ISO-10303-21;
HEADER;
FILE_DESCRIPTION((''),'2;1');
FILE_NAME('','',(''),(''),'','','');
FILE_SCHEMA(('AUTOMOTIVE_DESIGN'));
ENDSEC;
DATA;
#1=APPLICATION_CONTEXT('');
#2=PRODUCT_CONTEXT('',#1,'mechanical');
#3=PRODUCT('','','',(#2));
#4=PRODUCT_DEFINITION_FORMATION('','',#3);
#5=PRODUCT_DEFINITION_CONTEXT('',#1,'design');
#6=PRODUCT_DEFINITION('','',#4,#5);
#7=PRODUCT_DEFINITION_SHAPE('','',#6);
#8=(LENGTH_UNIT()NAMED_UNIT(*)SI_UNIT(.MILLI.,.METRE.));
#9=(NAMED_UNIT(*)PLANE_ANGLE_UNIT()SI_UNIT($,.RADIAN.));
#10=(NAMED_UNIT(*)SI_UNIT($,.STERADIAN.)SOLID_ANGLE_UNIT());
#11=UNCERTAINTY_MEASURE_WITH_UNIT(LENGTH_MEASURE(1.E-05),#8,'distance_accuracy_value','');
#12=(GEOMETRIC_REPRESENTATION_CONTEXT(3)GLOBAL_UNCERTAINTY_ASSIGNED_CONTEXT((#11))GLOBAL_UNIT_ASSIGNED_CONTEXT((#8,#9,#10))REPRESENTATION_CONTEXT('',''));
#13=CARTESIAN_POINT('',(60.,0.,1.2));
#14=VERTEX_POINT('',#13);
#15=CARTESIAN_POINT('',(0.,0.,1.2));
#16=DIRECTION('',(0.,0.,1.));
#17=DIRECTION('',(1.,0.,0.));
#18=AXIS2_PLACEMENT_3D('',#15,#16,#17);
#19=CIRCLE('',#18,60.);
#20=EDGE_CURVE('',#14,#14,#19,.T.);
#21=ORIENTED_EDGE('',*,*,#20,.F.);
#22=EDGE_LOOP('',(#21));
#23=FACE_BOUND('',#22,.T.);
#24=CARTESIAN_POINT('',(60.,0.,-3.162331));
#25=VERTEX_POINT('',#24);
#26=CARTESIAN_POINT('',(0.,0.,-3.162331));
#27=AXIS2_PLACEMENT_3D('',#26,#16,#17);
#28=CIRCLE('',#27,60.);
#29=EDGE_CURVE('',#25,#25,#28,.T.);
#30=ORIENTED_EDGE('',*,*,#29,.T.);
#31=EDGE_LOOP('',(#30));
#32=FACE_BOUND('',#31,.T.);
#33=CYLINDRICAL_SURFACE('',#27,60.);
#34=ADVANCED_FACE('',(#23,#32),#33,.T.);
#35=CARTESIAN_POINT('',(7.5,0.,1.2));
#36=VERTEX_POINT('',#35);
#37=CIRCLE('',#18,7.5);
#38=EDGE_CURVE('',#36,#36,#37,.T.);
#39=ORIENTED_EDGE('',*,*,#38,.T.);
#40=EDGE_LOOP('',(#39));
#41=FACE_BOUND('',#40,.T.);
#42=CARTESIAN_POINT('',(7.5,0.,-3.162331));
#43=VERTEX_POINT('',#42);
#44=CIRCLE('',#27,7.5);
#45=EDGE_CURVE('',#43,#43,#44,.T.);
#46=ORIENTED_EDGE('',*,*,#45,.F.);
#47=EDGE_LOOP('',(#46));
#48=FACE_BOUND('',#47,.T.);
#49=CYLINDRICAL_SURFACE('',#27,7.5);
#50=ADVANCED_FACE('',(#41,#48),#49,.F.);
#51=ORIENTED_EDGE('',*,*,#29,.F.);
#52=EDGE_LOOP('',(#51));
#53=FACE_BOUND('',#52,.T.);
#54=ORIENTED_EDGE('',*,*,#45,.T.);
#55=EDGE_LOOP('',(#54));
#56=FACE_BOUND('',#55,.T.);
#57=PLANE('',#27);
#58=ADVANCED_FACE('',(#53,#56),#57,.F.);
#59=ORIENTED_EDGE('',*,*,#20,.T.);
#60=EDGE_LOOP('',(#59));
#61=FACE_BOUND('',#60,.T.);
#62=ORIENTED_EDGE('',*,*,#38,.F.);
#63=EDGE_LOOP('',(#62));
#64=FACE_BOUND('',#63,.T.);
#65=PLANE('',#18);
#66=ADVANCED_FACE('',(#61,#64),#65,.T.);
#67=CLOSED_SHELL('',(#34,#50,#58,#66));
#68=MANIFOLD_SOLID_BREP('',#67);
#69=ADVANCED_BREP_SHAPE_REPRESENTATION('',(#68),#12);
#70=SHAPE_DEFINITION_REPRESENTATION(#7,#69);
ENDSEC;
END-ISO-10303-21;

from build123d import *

# Parameters (mm, degrees)
BOSS_EXTRU_1_DEPTH      = 1.2
BOSS_EXTRU_1_DEPTH_BACK = 3.162331296
ESQUISSE1_R             = 60
ESQUISSE1_R_2           = 58
ESQUISSE1_R_3           = 25
ESQUISSE1_R_4           = 23
ESQUISSE1_R_5           = 7.5


with BuildPart() as part:
    # Esquisse1 → Boss.-Extru.1 (new, two sides: drawn at the far end of the back side and taken through both)
    # profile 1 of 4: a face of its own
    with BuildSketch(Plane.XY.offset(-BOSS_EXTRU_1_DEPTH_BACK)):
        Circle(ESQUISSE1_R)
        Circle(ESQUISSE1_R_2, mode=Mode.SUBTRACT)
    # profile 2 of 4: a face of its own
    with BuildSketch(Plane.XY.offset(-BOSS_EXTRU_1_DEPTH_BACK)):
        Circle(ESQUISSE1_R_2)
        Circle(ESQUISSE1_R_3, mode=Mode.SUBTRACT)
    # profile 3 of 4: a face of its own
    with BuildSketch(Plane.XY.offset(-BOSS_EXTRU_1_DEPTH_BACK)):
        Circle(ESQUISSE1_R_3)
        Circle(ESQUISSE1_R_4, mode=Mode.SUBTRACT)
    # profile 4 of 4: a face of its own
    with BuildSketch(Plane.XY.offset(-BOSS_EXTRU_1_DEPTH_BACK)):
        Circle(ESQUISSE1_R_4)
        Circle(ESQUISSE1_R_5, mode=Mode.SUBTRACT)
    extrude(amount=BOSS_EXTRU_1_DEPTH + BOSS_EXTRU_1_DEPTH_BACK)


solid = part.part
